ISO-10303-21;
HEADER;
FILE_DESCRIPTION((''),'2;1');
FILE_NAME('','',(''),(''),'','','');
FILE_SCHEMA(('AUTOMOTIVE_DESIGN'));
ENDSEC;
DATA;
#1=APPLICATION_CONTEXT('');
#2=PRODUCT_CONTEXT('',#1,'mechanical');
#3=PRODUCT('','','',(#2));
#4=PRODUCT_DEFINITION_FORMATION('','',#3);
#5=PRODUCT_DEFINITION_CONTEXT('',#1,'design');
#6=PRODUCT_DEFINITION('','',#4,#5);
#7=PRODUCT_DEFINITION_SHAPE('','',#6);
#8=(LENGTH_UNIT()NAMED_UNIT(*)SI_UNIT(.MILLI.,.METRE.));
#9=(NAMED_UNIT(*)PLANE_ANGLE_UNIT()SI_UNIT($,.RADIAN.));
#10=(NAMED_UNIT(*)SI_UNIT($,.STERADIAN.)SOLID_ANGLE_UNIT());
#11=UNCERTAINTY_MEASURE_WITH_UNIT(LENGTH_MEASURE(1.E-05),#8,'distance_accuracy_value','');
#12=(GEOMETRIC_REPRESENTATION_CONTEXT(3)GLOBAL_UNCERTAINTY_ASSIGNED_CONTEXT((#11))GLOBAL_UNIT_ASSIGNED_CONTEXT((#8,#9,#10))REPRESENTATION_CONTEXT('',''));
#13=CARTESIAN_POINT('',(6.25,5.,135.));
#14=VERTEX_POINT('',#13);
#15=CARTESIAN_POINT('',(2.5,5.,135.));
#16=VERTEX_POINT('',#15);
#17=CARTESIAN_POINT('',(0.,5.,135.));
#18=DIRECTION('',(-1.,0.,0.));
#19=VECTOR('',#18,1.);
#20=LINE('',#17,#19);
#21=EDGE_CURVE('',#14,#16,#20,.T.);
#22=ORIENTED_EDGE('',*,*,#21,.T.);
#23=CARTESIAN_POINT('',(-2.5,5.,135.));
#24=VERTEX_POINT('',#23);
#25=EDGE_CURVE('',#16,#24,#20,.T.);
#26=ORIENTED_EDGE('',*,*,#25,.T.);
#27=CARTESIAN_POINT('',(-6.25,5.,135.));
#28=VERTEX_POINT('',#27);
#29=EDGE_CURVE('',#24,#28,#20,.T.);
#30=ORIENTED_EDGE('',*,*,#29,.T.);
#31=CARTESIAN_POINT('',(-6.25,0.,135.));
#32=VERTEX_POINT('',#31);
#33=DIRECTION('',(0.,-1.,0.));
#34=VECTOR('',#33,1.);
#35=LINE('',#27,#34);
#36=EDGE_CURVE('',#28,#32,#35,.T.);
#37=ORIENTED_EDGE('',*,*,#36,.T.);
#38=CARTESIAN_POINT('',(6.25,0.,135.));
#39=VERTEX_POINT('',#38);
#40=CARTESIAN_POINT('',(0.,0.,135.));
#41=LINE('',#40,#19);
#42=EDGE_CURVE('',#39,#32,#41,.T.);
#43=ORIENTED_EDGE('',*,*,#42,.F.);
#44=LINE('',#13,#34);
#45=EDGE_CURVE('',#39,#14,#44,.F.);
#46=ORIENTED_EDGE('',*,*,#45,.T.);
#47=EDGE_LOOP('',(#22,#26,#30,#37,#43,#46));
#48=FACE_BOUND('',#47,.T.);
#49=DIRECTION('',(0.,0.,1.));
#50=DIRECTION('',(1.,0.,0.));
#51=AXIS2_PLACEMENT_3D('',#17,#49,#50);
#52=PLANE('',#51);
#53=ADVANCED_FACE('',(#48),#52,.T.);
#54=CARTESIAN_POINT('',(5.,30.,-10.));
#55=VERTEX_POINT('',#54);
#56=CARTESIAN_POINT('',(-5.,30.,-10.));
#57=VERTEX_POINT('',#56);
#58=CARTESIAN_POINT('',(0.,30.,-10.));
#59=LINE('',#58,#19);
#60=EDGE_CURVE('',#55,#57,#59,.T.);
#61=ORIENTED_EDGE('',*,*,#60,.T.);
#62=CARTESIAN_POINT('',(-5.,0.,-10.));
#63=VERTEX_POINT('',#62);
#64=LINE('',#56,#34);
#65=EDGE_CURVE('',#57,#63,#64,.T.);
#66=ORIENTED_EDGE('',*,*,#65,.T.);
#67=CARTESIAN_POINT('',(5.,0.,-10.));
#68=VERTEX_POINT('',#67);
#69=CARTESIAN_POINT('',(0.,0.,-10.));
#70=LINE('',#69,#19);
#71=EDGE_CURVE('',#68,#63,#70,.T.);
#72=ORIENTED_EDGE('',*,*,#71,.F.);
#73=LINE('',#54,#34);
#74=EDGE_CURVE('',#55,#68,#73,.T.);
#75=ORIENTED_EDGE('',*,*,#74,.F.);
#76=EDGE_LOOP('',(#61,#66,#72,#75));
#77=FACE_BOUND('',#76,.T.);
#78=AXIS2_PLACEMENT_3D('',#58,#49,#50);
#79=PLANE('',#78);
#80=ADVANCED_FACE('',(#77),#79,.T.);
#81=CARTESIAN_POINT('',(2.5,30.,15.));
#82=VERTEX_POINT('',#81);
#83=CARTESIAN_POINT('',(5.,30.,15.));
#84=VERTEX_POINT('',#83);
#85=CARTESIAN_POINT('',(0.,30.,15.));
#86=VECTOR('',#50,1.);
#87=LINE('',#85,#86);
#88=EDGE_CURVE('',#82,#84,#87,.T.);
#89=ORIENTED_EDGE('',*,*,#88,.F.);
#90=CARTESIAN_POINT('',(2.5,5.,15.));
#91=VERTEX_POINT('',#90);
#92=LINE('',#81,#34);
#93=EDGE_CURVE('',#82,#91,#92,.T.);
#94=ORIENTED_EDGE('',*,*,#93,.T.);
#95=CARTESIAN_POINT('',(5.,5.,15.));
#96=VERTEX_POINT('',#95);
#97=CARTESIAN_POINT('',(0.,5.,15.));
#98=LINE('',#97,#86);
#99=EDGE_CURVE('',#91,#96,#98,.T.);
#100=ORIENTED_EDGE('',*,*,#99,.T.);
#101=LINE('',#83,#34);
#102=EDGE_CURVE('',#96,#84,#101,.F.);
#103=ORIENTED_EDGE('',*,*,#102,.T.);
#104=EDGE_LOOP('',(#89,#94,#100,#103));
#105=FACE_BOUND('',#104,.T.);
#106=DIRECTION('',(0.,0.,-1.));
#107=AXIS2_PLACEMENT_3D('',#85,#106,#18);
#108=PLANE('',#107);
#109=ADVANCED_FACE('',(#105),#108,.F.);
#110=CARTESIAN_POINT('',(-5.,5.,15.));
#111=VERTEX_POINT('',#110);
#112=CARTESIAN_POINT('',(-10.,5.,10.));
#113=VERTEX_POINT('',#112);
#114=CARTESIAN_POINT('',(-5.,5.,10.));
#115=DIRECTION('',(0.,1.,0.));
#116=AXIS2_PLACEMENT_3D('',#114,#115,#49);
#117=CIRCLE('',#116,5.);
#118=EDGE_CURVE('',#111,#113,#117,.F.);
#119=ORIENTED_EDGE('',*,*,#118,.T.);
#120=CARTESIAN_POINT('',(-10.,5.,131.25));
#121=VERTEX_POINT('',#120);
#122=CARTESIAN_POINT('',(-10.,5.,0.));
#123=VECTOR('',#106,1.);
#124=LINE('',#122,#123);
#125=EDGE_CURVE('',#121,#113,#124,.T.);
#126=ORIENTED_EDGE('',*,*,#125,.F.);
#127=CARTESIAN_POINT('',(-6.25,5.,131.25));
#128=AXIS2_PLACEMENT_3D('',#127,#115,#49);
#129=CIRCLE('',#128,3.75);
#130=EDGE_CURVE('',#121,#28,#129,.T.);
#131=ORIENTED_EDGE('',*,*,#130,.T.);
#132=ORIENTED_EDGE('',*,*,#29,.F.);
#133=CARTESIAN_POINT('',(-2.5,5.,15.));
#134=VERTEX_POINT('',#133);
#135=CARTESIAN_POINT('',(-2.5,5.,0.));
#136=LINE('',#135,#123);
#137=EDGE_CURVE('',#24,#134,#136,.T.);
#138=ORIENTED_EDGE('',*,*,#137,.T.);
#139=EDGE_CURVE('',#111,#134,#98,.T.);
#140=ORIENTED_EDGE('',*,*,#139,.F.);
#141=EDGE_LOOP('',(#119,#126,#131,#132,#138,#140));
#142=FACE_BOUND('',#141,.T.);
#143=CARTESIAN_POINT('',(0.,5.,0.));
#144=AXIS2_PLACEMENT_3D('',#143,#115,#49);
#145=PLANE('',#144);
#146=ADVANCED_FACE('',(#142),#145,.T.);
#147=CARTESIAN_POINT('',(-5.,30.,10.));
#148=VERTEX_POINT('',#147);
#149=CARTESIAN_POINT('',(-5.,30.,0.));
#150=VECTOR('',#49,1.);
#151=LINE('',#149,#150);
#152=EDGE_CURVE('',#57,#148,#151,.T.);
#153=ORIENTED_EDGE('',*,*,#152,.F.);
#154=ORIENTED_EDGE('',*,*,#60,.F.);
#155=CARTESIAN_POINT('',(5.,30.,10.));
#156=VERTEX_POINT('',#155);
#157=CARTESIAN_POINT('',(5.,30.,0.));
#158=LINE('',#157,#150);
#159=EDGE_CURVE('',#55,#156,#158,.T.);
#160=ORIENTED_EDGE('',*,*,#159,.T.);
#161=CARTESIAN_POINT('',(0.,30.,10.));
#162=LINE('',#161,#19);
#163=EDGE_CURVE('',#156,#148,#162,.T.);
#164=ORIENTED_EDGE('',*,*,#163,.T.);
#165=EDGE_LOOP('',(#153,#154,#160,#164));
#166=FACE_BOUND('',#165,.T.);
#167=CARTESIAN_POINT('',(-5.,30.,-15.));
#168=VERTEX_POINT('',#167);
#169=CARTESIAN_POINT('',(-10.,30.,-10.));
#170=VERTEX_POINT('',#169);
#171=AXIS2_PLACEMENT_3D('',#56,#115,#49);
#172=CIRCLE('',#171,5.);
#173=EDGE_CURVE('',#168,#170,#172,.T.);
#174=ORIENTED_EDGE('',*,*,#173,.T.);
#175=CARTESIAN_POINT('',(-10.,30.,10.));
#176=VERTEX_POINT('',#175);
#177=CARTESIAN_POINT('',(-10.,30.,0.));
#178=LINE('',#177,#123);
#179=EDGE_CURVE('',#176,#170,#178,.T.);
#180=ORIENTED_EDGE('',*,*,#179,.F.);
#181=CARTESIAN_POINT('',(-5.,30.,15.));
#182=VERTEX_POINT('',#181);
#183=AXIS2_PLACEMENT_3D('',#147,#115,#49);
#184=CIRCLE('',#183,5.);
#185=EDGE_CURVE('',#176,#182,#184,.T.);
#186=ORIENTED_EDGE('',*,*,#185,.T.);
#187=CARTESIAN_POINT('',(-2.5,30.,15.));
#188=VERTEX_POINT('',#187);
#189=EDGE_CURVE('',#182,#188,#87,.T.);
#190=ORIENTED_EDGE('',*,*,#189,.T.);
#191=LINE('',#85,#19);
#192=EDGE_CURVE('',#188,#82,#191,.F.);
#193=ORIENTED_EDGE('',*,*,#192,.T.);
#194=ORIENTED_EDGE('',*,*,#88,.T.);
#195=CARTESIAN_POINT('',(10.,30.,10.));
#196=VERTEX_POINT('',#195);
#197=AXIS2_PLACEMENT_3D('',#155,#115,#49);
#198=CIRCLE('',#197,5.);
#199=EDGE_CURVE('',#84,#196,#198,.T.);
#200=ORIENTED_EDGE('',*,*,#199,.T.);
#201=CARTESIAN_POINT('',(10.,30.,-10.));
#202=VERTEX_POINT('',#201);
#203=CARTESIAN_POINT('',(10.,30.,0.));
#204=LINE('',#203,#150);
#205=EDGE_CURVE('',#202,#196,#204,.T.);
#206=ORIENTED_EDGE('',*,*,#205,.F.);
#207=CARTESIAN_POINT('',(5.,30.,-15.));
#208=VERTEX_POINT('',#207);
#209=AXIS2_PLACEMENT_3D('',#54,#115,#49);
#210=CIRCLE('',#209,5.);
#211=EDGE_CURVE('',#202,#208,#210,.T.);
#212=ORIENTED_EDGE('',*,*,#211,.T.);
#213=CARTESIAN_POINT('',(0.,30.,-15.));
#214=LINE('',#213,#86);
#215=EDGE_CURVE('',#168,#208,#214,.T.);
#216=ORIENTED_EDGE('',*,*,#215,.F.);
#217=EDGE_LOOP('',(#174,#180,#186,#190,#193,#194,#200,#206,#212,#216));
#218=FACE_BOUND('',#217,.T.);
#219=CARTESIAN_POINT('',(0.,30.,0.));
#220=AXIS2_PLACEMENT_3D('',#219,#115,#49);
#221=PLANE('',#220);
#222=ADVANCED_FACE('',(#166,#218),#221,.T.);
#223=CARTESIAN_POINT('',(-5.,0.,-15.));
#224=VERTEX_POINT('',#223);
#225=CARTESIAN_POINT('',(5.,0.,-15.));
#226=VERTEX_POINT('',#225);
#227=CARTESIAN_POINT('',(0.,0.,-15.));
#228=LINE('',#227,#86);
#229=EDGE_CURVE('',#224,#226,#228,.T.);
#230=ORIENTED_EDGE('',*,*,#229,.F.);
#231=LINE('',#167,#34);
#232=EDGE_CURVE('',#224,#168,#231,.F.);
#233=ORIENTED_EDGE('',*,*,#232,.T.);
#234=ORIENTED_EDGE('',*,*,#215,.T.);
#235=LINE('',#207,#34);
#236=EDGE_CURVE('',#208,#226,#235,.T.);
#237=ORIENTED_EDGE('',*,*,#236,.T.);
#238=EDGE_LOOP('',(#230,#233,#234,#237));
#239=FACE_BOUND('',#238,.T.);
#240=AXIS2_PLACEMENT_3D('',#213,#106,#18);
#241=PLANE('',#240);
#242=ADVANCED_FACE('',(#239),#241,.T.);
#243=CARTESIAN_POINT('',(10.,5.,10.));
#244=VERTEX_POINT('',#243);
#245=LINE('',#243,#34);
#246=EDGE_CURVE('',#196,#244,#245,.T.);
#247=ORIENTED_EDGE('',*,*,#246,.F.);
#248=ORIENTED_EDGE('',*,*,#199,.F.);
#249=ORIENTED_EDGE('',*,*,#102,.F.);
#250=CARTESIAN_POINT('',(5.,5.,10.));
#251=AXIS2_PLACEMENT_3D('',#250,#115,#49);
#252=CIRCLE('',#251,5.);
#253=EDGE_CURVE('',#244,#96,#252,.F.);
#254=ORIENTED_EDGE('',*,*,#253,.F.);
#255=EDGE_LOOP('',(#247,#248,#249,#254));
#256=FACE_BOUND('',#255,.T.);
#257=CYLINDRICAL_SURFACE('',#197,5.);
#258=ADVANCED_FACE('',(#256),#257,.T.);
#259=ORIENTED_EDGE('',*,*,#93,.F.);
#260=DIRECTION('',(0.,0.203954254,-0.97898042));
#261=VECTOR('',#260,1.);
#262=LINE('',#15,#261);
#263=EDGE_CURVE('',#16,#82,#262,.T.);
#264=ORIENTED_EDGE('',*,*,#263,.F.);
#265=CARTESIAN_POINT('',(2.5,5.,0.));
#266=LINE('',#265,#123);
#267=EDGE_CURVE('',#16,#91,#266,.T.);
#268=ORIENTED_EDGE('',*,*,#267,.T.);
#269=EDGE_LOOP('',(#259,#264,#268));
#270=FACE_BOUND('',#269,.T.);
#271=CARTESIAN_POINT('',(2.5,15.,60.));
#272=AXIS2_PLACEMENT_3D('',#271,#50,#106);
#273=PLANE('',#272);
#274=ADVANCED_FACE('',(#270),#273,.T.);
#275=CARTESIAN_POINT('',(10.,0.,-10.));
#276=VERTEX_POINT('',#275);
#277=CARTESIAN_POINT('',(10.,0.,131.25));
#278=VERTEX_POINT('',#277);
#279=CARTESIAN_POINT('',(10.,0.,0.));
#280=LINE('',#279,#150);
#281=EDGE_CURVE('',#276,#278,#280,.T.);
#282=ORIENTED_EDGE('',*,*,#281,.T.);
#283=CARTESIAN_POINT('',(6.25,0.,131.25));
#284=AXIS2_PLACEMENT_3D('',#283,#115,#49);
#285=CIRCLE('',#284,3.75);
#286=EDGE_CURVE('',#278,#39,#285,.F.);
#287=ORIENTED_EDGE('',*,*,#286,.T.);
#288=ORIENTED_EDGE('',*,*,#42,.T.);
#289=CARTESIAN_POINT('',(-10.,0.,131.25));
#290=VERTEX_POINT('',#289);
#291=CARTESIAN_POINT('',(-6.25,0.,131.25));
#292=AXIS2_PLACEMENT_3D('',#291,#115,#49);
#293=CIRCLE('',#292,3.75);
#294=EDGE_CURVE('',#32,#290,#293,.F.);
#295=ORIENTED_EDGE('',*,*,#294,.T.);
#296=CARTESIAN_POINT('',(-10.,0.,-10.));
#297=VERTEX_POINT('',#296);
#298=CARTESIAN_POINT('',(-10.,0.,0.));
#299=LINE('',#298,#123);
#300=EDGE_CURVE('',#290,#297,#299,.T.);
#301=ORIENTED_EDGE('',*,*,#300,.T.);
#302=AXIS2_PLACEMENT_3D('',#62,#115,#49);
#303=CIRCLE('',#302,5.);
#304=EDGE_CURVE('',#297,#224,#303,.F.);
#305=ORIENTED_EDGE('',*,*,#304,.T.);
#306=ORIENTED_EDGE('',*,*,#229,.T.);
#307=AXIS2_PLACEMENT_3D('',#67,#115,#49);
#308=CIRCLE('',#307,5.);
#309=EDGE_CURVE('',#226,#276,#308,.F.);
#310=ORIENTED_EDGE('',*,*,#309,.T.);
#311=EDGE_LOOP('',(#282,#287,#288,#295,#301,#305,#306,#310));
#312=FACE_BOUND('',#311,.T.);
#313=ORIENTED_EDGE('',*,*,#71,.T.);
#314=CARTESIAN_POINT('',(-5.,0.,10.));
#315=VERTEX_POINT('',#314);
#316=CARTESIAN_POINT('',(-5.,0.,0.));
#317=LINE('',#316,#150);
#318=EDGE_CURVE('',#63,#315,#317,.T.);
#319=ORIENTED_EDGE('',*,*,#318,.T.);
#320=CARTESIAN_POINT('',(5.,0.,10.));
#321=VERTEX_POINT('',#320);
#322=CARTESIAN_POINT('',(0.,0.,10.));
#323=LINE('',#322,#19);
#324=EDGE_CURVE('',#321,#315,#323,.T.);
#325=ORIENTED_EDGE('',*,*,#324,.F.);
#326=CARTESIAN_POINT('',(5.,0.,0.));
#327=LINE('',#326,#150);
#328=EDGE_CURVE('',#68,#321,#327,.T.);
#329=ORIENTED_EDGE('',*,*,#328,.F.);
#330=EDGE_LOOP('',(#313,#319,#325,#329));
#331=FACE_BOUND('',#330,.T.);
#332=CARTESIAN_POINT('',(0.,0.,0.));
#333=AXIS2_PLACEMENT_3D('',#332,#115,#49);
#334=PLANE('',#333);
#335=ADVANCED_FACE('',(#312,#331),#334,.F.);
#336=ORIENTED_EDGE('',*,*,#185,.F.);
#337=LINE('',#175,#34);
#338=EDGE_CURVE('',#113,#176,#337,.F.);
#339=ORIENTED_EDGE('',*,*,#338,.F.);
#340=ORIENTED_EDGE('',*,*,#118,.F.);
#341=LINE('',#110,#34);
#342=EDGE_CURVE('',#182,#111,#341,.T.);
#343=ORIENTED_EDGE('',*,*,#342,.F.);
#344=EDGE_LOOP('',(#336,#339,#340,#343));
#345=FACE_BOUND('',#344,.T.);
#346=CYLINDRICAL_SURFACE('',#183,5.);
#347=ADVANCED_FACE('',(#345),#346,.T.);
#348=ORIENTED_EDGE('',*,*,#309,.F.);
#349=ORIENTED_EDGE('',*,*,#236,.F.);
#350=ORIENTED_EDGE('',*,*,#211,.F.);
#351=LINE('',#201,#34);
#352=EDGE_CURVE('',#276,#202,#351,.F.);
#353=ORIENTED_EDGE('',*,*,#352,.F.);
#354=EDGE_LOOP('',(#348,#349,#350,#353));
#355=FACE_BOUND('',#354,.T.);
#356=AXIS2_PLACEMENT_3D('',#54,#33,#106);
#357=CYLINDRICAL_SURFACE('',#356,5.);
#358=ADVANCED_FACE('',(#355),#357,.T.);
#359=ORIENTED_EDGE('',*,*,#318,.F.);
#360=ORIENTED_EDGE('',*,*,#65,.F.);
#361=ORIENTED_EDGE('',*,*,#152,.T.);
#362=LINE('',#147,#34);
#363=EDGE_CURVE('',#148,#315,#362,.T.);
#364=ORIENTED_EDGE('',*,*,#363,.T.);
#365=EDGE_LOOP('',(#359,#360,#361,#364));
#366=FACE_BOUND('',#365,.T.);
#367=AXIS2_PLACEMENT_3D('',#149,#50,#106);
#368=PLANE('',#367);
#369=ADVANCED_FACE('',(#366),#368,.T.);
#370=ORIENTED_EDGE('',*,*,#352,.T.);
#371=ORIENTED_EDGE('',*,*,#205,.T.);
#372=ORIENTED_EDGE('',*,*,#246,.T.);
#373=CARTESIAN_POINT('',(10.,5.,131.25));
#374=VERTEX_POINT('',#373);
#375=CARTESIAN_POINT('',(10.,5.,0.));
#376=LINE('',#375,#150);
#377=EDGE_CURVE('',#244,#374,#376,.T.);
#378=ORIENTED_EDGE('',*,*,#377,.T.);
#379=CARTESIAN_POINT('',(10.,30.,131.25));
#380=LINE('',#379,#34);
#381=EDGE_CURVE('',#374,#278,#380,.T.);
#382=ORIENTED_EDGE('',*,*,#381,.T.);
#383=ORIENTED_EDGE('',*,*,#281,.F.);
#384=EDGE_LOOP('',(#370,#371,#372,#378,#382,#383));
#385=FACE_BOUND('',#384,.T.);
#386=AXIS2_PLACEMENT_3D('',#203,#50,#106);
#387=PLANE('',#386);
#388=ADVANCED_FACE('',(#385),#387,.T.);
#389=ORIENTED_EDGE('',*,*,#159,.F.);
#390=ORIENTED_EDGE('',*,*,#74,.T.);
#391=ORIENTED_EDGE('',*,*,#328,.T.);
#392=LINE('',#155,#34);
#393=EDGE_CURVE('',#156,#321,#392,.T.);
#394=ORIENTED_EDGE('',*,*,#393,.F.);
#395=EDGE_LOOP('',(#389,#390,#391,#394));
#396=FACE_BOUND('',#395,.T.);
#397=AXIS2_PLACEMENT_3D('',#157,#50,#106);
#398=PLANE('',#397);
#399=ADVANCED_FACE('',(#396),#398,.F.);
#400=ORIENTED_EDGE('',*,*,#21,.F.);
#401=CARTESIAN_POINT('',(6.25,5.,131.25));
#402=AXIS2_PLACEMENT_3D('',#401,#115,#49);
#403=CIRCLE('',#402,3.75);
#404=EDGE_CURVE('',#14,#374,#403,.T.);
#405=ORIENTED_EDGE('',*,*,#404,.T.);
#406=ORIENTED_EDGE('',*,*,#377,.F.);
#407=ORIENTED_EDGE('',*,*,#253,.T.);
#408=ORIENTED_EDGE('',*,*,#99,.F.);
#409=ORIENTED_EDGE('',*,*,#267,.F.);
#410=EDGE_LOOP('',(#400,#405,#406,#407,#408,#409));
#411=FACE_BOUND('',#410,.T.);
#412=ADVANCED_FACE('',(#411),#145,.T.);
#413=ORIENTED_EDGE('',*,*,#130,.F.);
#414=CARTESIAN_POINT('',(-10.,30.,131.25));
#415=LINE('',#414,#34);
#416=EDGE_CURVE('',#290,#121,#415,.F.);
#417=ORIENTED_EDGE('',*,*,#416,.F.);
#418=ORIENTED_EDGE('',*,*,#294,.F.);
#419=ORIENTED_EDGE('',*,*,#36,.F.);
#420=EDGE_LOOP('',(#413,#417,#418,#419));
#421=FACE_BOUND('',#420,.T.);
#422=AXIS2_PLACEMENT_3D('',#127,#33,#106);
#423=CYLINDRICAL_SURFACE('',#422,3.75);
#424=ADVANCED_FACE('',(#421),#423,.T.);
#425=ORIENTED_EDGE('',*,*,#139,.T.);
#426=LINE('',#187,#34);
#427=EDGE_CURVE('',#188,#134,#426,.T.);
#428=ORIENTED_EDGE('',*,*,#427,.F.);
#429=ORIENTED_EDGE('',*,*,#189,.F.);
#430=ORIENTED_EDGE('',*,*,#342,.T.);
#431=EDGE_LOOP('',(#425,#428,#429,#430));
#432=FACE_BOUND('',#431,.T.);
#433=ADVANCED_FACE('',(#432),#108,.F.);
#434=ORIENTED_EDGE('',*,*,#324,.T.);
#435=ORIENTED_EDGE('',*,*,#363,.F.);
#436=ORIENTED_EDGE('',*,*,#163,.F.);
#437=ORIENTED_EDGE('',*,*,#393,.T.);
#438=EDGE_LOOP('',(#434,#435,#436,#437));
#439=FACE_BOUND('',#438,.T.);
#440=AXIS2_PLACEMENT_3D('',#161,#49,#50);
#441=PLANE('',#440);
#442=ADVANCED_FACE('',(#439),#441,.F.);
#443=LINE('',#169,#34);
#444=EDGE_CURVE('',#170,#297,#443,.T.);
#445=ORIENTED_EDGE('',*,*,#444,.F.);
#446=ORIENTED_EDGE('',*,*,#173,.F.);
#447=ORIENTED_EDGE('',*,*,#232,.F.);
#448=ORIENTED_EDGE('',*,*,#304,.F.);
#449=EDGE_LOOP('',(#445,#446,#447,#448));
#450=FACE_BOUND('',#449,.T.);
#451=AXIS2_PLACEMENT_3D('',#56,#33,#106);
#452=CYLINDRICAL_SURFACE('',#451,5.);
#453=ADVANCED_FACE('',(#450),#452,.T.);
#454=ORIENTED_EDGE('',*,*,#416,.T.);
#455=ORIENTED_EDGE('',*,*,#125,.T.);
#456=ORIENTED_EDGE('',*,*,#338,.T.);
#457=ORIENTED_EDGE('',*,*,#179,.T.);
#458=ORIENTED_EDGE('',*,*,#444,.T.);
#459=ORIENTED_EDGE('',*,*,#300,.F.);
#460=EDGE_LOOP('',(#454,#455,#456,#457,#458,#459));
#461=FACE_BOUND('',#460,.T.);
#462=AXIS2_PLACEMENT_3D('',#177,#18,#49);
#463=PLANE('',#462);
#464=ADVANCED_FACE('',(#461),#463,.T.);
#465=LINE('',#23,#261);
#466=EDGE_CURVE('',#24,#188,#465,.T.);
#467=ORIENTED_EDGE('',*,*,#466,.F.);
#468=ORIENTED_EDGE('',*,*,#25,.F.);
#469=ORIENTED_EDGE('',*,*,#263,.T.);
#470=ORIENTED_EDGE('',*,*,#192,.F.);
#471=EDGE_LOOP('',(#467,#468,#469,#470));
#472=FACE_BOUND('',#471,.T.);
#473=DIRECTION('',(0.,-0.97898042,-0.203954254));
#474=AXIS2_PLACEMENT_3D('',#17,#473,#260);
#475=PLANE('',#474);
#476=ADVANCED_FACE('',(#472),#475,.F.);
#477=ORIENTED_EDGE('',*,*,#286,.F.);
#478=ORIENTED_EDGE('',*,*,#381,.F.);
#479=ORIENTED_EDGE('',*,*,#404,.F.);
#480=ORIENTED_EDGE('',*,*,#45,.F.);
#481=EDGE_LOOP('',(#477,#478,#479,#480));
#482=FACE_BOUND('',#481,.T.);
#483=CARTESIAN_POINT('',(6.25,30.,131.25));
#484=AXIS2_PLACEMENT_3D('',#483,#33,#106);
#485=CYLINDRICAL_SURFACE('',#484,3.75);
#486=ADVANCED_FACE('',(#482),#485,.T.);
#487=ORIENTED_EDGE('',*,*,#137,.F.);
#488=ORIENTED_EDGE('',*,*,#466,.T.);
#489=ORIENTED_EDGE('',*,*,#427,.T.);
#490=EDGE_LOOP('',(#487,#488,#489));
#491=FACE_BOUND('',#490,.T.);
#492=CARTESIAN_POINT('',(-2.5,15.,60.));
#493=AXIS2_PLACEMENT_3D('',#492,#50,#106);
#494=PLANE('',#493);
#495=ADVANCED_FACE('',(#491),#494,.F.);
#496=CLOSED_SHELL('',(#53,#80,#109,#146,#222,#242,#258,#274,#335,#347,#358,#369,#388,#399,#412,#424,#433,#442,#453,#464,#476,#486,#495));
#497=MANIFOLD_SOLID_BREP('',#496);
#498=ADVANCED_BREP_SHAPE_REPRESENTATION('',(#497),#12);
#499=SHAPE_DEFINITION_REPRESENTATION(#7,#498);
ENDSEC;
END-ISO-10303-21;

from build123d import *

# Parameters (mm, degrees)
SKETCH_1_W      = 20
SKETCH_1_H      = 30
SKETCH_1_W_2    = 10
SKETCH_1_H_2    = 20
EXTRUDE_1_DEPTH = 30
SKETCH_1_3_W    = 20
SKETCH_1_3_H    = 120
EXTRUDE_2_DEPTH = 5
RIB_1_REACH     = 140.654
SKETCH_2_WALL_W = 401.884999198
SKETCH_2_WALL_H = 5
FILLET_1_R      = 5
FILLET_3_R      = 3.75


with BuildPart() as part:
    # Эскиз1 → Бобышка-Вытянуть1 (new body)
    with BuildSketch(Plane(origin=(0, 0, 0), x_dir=(1, 0, 0), z_dir=(0, 1, 0))):
        Rectangle(SKETCH_1_W, SKETCH_1_H)
        Rectangle(SKETCH_1_W_2, SKETCH_1_H_2, mode=Mode.SUBTRACT)
    extrude(amount=EXTRUDE_1_DEPTH)

    # Эскиз1<3> → Бобышка-Вытянуть2 (add)
    with BuildSketch(Plane(origin=(0, 0, 0), x_dir=(1, 0, 0), z_dir=(0, 1, 0))):
        with Locations((0, -75)):
            Rectangle(SKETCH_1_3_W, SKETCH_1_3_H)
    extrude(amount=EXTRUDE_2_DEPTH)

    # Эскиз2 wall → Ребро1 (add, up to next)
    with BuildSketch(Plane(origin=(0, 17.5, 75), x_dir=(0, 0.203954254112, -0.978980419738), z_dir=(0, 0.978980419738, 0.203954254112)), mode=Mode.PRIVATE) as rib_1_sk1:
        Rectangle(SKETCH_2_WALL_W, SKETCH_2_WALL_H)
    rib_1_tool1 = extrude(rib_1_sk1.sketch, amount=-RIB_1_REACH, mode=Mode.PRIVATE) - part.part
    add(rib_1_tool1.solids().sort_by_distance((0, 17.5, 75))[0])

    # Скругление1
    fillet_1_edges = [part.edges().sort_by_distance(p)[0] for p in [
        (-10, 15, -15),
        (10, 15, -15),
        (10, 17.5, 15),
        (-10, 17.5, 15),
    ]]
    fillet(fillet_1_edges, radius=FILLET_1_R)

    # Скругление3
    fillet_3_edges = [part.edges().sort_by_distance(p)[0] for p in [
        (-10, 2.5, 135),
        (10, 2.5, 135),
    ]]
    fillet(fillet_3_edges, radius=FILLET_3_R)


solid = part.part
